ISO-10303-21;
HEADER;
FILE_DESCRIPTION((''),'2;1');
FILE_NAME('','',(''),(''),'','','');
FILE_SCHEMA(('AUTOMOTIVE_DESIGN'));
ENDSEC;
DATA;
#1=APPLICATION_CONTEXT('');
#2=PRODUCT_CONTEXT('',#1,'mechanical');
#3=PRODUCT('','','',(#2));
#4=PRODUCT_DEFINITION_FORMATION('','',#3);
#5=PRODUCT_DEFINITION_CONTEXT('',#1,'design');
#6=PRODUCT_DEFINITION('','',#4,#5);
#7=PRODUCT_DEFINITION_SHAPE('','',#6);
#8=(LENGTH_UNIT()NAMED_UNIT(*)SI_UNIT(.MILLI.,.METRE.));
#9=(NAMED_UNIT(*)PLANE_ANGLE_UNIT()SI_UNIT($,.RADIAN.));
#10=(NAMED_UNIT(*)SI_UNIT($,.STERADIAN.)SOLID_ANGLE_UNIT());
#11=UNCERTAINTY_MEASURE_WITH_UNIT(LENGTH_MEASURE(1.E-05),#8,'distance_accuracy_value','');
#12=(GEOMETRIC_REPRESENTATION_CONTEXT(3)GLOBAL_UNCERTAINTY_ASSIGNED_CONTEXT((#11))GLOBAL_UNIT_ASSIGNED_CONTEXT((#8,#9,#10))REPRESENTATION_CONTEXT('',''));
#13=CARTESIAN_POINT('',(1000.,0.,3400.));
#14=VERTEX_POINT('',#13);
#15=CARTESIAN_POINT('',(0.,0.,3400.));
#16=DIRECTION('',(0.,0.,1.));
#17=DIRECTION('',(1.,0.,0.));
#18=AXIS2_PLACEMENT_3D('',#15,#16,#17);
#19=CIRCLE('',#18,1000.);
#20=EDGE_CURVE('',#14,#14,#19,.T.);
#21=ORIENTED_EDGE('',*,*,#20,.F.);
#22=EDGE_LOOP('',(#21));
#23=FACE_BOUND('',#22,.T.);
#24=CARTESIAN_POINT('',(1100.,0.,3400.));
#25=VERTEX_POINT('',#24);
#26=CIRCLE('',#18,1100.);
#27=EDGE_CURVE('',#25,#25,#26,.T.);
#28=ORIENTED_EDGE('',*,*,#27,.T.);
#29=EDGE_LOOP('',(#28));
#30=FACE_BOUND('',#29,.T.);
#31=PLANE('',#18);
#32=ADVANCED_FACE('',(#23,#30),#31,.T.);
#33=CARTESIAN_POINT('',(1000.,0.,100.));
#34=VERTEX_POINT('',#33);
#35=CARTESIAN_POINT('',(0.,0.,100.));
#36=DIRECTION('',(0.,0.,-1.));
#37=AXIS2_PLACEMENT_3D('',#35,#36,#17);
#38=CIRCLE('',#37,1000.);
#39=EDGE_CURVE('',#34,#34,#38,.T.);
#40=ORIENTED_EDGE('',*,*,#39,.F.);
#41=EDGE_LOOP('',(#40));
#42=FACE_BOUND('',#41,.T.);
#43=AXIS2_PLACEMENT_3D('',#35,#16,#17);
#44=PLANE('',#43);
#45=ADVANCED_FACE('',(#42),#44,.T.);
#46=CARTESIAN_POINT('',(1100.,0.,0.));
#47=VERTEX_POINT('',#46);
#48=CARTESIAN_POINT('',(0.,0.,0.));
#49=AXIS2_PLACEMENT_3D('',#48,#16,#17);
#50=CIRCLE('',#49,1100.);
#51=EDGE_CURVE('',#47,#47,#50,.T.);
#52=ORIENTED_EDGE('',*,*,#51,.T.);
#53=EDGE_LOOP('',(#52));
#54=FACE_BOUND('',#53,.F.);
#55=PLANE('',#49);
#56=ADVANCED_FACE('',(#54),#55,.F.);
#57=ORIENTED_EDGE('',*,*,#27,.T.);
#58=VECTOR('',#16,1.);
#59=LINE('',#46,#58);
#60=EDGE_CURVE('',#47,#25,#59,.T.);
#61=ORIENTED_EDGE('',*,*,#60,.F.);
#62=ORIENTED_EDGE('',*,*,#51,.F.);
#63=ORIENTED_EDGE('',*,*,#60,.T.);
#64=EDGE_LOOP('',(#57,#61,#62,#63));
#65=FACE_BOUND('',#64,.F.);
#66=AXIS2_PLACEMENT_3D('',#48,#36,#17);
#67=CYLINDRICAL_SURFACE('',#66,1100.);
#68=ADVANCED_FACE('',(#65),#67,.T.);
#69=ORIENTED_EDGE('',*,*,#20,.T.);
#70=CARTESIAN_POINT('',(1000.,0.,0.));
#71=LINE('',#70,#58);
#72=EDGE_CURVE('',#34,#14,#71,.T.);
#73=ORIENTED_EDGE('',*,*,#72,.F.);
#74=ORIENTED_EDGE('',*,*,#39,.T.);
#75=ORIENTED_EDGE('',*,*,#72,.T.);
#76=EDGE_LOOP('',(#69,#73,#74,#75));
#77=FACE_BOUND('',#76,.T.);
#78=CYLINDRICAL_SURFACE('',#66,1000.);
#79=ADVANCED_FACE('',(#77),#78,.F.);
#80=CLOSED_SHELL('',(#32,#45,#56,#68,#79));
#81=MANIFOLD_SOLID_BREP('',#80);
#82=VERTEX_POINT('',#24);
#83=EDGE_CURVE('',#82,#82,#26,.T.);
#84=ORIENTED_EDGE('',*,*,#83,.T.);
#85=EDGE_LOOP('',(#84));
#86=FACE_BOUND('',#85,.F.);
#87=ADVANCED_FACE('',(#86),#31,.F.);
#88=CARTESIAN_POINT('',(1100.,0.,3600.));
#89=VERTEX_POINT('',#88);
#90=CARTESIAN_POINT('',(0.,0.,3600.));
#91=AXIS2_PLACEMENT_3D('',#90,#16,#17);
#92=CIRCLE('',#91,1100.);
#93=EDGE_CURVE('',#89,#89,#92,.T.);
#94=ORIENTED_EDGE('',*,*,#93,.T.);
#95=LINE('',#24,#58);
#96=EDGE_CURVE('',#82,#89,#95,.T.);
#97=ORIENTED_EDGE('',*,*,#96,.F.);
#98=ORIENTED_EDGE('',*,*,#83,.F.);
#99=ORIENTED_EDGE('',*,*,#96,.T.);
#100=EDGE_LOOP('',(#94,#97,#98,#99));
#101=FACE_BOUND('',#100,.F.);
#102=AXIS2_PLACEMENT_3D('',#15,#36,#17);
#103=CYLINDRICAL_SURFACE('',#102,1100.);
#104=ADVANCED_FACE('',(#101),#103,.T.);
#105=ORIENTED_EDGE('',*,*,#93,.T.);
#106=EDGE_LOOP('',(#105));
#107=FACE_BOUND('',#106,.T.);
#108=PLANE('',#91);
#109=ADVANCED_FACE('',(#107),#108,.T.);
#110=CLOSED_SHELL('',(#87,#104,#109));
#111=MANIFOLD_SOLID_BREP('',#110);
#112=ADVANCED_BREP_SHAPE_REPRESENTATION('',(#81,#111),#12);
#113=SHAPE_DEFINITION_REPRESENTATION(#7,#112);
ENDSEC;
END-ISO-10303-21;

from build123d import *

# Parameters (mm, degrees)
F0_R     = 1100
F1_DEPTH = 3400
F2_T     = -100
F3_R     = 1100
F4_DEPTH = 200


with BuildPart() as f1:
    # F0 (on Top) → F1 (new body)
    with BuildSketch(Plane.XY):
        Circle(F0_R)
    extrude(amount=F1_DEPTH)

    # F2
    f2_openings = [f1.faces().sort_by_distance(p)[0] for p in [
        (0, 0, 3400),
    ]]
    offset(amount=F2_T, openings=f2_openings)


with BuildPart() as f4:
    # F3 (on face) → F4 (new body)
    with BuildSketch(Plane.XY.offset(3400)):
        Circle(F3_R)
    extrude(amount=F4_DEPTH)


solid = Compound([f1.part, f4.part])
